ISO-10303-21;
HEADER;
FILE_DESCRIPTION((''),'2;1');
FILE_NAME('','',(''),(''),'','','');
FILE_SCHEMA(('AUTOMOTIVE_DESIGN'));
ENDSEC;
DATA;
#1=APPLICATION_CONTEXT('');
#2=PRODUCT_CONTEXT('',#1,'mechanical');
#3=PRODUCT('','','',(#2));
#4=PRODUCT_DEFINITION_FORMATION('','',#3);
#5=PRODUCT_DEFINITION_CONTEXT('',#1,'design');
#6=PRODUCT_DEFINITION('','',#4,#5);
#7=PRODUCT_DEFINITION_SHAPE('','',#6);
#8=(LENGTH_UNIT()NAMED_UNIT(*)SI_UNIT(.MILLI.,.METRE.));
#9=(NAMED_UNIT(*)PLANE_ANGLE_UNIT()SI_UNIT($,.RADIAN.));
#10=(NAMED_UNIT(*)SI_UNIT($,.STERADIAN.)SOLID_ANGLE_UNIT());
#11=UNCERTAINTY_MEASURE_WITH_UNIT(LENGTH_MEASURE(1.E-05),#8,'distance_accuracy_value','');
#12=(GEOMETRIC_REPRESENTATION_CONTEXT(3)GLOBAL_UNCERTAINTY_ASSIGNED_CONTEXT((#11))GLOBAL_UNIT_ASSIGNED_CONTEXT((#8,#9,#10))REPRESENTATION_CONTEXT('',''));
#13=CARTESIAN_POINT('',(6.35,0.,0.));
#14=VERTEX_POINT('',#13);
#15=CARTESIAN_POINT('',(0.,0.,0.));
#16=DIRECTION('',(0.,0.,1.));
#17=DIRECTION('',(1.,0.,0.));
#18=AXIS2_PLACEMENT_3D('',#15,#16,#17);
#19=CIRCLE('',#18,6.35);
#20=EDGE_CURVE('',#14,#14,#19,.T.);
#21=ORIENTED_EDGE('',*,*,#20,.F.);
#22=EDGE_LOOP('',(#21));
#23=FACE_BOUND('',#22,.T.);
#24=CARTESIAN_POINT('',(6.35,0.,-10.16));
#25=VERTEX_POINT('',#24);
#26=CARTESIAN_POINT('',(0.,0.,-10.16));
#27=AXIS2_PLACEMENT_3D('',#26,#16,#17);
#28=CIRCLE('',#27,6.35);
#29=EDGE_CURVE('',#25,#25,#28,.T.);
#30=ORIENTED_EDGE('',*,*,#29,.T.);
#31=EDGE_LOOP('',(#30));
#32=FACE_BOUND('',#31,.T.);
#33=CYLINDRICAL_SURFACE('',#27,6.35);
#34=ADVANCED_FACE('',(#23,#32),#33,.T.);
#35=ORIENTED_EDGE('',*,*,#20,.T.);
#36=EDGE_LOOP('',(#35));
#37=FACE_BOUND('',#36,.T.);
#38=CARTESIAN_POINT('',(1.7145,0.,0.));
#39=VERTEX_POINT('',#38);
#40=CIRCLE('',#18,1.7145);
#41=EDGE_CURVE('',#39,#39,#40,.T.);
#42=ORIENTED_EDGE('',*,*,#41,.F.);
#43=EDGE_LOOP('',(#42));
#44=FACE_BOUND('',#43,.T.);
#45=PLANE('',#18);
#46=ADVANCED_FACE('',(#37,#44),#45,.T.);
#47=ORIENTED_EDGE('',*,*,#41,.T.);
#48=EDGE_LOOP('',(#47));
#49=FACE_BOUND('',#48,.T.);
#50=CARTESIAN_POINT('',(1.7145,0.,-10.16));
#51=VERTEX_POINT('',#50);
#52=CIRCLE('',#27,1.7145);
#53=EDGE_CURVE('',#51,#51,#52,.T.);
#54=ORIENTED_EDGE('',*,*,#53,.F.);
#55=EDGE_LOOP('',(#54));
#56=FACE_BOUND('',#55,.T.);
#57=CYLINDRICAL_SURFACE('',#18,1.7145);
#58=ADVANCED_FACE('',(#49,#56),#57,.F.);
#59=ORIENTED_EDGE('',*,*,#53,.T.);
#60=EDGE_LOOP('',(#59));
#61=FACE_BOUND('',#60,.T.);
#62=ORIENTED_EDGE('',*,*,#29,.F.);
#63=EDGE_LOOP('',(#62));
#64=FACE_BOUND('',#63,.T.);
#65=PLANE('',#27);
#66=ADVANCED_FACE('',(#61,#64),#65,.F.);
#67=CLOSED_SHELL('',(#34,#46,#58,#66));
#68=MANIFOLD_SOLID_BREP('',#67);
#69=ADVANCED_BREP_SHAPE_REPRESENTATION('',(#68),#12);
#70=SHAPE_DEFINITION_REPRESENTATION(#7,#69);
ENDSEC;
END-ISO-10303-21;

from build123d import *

# Parameters (mm, degrees)
SKETCH1_R                    = 6.35
BOSS_EXTRUDE1_DEPTH          = 10.16
F_1_4_0_135_DIAMETER_HOLE1_D = 3.429


with BuildPart() as part:
    # Sketch1 → Boss-Extrude1 (new body)
    with BuildSketch(Plane.XY):
        Circle(SKETCH1_R)
    extrude(amount=-BOSS_EXTRUDE1_DEPTH)

    # 1/4 (0.135) Diameter Hole1 (through all)
    with Locations(Plane.XY):
        with Locations((0, 0)):
            Hole(F_1_4_0_135_DIAMETER_HOLE1_D / 2)


solid = part.part
